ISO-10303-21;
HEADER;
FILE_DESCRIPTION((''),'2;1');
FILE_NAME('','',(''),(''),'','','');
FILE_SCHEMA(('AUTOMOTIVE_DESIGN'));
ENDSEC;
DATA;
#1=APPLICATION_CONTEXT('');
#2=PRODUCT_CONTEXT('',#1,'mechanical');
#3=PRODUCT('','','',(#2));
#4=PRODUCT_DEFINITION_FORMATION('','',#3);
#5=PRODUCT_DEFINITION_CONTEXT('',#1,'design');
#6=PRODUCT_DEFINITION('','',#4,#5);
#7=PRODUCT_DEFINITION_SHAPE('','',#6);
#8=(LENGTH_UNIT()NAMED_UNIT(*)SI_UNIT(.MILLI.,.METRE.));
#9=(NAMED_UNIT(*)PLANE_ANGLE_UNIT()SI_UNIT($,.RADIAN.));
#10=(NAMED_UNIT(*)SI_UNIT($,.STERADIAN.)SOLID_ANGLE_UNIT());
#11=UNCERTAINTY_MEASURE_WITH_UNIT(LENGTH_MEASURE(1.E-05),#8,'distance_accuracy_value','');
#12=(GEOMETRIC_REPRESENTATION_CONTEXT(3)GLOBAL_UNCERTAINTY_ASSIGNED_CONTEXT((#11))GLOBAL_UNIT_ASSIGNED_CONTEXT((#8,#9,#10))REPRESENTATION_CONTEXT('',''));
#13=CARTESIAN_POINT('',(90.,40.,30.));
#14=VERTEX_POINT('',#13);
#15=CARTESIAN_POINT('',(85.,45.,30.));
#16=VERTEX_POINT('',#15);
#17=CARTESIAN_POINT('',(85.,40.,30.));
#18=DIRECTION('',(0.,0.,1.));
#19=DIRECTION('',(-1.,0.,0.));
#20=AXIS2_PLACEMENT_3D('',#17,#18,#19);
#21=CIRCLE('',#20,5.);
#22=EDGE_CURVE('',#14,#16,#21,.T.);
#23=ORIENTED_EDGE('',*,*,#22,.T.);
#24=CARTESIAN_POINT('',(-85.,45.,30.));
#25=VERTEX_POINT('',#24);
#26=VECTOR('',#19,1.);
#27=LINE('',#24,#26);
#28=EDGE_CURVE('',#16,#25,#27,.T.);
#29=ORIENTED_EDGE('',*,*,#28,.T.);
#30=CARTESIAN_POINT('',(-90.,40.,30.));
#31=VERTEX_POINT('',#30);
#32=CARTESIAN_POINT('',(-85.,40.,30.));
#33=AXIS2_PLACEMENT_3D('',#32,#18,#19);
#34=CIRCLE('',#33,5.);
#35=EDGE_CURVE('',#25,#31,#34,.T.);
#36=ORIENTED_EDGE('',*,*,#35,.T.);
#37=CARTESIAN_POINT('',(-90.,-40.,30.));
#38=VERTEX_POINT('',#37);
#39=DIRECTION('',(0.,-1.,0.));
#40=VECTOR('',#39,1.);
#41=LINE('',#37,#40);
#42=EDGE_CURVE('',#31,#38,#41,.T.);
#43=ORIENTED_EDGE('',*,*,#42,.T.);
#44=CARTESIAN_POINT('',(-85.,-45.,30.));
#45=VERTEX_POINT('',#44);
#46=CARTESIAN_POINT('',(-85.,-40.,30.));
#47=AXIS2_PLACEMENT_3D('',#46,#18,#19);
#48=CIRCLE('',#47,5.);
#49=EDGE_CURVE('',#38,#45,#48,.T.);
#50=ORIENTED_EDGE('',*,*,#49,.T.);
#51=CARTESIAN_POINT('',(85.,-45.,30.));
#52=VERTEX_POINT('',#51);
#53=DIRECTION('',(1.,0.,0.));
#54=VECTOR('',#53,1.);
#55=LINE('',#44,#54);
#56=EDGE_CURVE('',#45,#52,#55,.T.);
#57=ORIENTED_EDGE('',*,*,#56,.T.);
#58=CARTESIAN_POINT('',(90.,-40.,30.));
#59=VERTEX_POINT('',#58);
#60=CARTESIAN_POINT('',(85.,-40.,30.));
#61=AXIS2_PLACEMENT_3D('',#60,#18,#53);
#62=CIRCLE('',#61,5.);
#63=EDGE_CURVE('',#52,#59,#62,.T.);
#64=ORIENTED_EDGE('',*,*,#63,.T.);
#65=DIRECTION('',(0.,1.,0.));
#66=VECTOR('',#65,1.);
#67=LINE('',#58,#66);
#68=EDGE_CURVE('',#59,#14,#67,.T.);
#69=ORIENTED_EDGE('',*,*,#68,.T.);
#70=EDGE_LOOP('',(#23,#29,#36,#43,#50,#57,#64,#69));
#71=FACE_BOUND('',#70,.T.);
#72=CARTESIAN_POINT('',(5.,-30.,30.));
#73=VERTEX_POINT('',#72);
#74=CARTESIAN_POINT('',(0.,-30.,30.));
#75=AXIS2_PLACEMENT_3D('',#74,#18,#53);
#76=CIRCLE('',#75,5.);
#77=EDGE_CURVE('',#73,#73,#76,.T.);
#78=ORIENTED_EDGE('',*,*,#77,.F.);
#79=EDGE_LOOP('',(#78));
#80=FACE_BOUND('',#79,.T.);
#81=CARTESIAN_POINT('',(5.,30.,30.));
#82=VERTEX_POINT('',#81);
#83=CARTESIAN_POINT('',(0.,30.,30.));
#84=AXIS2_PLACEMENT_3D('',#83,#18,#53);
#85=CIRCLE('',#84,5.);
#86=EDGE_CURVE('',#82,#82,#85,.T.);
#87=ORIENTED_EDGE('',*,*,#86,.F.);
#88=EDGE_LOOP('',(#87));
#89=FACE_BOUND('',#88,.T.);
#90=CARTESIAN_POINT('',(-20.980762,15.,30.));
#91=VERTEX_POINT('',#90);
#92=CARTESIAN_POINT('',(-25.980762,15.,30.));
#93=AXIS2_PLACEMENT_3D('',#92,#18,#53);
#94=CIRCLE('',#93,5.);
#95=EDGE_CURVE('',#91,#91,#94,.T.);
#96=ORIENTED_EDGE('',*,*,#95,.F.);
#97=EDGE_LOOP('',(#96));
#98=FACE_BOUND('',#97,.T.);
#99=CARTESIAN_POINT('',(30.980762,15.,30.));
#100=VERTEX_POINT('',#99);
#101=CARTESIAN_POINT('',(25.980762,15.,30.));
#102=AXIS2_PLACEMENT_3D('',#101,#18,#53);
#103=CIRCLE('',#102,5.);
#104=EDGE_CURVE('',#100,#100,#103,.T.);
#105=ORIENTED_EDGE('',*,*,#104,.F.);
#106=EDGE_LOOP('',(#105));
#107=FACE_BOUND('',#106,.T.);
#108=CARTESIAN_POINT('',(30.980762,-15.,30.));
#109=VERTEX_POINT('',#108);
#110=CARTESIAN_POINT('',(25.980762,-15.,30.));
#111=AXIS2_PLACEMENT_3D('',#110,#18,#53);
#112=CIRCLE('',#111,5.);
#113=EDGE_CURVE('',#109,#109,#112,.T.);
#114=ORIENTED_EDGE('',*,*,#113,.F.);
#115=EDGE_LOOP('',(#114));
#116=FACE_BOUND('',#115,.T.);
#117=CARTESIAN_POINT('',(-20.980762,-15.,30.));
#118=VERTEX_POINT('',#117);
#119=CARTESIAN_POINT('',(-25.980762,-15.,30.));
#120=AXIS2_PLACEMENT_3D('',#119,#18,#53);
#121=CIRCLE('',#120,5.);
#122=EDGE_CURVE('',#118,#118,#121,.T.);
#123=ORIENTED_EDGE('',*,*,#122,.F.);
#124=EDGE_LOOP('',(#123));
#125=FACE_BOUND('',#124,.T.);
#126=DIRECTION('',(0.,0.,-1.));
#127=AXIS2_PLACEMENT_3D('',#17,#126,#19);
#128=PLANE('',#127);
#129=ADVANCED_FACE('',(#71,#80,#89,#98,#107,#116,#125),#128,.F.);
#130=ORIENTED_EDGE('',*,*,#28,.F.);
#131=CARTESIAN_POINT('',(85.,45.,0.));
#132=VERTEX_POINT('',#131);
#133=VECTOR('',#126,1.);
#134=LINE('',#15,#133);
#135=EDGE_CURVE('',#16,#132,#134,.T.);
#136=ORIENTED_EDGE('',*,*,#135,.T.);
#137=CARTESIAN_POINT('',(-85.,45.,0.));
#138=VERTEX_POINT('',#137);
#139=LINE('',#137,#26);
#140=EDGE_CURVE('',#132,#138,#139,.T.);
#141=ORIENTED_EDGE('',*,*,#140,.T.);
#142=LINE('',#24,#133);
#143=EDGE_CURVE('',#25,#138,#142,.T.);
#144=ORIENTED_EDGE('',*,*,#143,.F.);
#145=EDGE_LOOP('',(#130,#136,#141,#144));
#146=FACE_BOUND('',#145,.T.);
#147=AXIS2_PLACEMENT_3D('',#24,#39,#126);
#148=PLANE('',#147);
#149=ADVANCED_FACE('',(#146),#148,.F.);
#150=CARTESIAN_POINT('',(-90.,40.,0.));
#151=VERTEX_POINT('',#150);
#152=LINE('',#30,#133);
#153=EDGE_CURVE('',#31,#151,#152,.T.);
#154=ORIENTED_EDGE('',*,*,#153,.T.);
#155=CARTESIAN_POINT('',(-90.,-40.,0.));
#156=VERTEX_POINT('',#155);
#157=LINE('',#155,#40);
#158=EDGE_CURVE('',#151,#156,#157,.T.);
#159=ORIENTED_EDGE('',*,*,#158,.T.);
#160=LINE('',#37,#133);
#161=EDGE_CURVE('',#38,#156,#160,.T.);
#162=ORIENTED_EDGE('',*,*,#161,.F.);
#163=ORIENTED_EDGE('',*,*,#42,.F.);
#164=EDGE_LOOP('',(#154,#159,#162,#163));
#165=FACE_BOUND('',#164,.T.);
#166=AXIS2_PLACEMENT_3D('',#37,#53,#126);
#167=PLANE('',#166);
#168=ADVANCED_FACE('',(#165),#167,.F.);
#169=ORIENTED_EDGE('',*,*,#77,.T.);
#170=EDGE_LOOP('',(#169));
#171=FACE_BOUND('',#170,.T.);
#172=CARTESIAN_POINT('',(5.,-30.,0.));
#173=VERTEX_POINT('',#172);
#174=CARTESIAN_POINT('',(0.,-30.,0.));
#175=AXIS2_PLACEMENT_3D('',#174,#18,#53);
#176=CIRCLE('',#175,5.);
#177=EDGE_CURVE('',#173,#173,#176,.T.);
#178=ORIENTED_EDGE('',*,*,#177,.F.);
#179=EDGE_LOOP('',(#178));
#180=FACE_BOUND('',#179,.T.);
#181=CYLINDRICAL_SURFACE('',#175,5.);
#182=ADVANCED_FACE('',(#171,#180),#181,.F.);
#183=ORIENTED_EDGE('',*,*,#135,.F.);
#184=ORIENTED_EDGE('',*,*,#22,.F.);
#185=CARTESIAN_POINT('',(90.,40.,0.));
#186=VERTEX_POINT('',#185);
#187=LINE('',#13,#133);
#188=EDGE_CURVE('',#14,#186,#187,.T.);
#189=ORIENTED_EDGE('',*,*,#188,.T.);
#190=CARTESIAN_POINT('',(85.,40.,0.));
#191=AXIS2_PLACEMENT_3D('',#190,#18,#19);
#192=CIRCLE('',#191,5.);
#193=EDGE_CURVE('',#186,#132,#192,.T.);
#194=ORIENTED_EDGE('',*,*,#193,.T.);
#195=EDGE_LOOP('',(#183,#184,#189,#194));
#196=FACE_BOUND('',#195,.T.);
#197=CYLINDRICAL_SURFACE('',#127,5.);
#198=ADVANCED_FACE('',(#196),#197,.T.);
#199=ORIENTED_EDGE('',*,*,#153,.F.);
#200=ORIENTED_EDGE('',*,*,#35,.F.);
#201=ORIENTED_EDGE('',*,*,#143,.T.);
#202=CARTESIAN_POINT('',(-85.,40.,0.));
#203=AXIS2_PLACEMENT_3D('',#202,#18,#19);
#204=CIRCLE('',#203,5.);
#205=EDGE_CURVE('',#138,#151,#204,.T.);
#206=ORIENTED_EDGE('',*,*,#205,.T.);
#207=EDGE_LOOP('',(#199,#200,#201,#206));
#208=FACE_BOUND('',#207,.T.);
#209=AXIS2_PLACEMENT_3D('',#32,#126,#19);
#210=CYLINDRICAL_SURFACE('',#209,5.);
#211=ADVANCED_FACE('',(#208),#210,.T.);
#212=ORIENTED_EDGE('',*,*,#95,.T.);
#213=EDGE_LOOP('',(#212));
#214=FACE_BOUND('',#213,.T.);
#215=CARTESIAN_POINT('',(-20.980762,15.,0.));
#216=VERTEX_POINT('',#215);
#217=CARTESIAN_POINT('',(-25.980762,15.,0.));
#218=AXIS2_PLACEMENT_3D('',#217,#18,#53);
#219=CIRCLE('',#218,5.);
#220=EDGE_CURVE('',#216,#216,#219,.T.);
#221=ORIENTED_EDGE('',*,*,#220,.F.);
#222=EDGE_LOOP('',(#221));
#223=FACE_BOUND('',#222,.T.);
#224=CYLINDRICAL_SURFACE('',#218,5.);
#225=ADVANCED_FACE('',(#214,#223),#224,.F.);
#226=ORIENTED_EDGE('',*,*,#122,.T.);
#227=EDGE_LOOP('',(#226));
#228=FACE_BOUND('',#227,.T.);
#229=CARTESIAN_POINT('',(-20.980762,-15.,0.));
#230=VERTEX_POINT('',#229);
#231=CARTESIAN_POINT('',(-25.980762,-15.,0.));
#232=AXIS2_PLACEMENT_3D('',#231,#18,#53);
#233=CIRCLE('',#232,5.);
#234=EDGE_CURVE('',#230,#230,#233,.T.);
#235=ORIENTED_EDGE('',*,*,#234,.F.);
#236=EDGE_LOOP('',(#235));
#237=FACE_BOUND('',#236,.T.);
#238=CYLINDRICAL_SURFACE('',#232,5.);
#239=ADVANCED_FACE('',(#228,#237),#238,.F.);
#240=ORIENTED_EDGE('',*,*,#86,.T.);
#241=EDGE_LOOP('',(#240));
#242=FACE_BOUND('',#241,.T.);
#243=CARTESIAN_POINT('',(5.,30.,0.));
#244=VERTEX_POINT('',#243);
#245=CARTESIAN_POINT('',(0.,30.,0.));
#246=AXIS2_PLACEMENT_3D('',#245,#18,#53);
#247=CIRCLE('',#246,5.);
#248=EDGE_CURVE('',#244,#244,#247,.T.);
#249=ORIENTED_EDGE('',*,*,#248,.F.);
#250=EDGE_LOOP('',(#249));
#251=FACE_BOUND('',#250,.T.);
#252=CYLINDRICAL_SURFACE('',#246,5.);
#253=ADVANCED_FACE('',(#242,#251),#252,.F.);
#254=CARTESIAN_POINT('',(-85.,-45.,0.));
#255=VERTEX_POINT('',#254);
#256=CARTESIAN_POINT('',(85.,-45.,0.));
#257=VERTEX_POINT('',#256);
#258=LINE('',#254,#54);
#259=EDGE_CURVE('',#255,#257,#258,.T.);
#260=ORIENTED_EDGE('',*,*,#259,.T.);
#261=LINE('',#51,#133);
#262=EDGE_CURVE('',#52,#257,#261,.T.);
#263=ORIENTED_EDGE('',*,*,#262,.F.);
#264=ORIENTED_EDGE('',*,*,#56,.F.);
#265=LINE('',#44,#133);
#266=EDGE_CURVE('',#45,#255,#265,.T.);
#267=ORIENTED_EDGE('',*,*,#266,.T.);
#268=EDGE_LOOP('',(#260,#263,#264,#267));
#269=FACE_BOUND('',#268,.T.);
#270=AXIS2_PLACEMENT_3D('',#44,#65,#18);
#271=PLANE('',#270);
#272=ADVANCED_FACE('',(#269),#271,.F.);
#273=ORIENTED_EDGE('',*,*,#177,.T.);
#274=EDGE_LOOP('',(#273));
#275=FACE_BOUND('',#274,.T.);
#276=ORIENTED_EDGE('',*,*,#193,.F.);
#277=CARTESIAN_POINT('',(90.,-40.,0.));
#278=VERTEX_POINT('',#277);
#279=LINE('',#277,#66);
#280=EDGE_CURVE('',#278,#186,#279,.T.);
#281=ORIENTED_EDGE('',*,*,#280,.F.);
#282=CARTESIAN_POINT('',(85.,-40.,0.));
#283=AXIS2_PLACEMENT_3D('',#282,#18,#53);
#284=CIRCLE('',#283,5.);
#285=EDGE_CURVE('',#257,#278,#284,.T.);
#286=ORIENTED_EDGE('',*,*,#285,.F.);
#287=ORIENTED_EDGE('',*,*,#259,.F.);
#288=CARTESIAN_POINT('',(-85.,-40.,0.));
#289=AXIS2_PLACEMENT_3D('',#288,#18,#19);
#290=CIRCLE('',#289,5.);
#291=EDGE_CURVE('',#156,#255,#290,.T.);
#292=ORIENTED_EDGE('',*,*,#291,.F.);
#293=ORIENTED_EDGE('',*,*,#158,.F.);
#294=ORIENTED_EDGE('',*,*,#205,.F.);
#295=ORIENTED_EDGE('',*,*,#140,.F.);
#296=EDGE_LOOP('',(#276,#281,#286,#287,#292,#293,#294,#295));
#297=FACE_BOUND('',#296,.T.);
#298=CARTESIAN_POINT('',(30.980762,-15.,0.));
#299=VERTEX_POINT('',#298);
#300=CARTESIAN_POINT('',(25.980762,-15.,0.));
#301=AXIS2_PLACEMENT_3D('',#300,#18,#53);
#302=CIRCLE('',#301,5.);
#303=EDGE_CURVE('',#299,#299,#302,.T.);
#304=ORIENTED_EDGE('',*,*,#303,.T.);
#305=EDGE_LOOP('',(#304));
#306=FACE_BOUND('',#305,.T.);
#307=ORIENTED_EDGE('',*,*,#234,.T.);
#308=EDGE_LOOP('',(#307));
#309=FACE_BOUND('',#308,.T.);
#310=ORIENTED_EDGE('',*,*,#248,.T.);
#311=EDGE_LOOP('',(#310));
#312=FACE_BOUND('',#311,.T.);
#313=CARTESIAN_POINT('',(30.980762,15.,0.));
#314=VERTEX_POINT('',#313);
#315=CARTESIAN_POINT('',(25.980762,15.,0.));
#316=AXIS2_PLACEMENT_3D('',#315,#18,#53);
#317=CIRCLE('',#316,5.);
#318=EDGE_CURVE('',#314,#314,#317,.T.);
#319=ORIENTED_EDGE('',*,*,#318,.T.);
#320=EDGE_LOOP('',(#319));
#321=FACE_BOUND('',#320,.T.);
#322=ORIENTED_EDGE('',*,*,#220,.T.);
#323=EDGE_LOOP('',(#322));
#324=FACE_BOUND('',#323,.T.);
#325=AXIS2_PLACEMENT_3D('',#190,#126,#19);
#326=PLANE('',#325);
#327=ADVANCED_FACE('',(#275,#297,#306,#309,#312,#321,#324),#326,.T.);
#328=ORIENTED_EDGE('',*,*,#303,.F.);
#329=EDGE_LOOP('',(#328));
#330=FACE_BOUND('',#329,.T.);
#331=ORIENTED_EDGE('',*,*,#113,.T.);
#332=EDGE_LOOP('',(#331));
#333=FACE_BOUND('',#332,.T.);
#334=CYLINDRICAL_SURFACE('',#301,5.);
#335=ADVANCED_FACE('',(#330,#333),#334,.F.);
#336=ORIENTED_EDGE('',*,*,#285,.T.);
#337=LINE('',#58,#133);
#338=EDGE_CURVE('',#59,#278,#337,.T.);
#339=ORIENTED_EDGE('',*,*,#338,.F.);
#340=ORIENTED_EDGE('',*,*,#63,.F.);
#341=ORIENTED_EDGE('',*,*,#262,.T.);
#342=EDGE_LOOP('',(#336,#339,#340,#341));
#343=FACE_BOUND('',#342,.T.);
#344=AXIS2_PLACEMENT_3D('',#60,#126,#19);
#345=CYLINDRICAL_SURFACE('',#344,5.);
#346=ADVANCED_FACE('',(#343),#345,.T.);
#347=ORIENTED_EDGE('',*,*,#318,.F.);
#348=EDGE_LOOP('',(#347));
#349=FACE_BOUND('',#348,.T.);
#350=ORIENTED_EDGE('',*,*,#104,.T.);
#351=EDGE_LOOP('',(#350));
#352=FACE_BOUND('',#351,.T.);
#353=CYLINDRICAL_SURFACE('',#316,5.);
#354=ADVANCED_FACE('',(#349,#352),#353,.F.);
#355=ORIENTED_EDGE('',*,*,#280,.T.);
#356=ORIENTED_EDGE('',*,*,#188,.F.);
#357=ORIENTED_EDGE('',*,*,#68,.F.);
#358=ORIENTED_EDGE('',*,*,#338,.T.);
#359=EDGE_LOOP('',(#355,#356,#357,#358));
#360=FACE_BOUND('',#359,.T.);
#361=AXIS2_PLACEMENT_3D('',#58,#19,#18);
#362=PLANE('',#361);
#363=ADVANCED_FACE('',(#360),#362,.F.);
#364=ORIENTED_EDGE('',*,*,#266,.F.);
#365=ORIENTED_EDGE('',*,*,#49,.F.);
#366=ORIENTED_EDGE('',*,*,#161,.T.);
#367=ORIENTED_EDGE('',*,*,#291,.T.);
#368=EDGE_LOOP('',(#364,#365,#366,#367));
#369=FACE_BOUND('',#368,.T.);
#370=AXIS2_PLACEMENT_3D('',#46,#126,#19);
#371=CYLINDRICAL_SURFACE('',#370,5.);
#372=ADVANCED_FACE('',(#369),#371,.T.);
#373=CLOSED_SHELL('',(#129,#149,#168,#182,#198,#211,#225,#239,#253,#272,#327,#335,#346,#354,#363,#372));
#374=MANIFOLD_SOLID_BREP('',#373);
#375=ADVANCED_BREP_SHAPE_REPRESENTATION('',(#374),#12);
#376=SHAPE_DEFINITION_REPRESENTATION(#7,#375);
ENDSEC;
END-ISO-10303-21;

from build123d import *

# Parameters (mm, degrees)
RESSALTO_EXTRUS_O1_DEPTH = 30
ESBO_O2_R                = 5
CORTE_EXTRUS_O1_DEPTH    = 30


with BuildPart() as part:
    # Esboço1 → Ressalto-extrusão1 (new body)
    with BuildSketch(Plane.XY):
        with BuildLine():
            Line((-85, -45), (85, -45))
            ThreePointArc((85, -45), (88.535533906, -43.535533906), (90, -40))
            Line((90, -40), (90, 40))
            ThreePointArc((90, 40), (88.535533906, 43.535533906), (85, 45))
            Line((85, 45), (-85, 45))
            ThreePointArc((-85, 45), (-88.535533906, 43.535533906), (-90, 40))
            Line((-90, 40), (-90, -40))
            ThreePointArc((-90, -40), (-88.535533906, -43.535533906), (-85, -45))
        make_face()
    extrude(amount=RESSALTO_EXTRUS_O1_DEPTH)

    # Esboço2 → Corte-extrusão1 (cut)
    with BuildSketch(Plane.XY.offset(30)):
        with Locations((0, 30)):
            Circle(ESBO_O2_R)
        with Locations((25.980762114, 15)):
            Circle(ESBO_O2_R)
        with Locations((25.980762114, -15)):
            Circle(ESBO_O2_R)
        with Locations((0, -30)):
            Circle(ESBO_O2_R)
        with Locations((-25.980762114, -15)):
            Circle(ESBO_O2_R)
        with Locations((-25.980762114, 15)):
            Circle(ESBO_O2_R)
    extrude(amount=-CORTE_EXTRUS_O1_DEPTH, mode=Mode.SUBTRACT)


solid = part.part
